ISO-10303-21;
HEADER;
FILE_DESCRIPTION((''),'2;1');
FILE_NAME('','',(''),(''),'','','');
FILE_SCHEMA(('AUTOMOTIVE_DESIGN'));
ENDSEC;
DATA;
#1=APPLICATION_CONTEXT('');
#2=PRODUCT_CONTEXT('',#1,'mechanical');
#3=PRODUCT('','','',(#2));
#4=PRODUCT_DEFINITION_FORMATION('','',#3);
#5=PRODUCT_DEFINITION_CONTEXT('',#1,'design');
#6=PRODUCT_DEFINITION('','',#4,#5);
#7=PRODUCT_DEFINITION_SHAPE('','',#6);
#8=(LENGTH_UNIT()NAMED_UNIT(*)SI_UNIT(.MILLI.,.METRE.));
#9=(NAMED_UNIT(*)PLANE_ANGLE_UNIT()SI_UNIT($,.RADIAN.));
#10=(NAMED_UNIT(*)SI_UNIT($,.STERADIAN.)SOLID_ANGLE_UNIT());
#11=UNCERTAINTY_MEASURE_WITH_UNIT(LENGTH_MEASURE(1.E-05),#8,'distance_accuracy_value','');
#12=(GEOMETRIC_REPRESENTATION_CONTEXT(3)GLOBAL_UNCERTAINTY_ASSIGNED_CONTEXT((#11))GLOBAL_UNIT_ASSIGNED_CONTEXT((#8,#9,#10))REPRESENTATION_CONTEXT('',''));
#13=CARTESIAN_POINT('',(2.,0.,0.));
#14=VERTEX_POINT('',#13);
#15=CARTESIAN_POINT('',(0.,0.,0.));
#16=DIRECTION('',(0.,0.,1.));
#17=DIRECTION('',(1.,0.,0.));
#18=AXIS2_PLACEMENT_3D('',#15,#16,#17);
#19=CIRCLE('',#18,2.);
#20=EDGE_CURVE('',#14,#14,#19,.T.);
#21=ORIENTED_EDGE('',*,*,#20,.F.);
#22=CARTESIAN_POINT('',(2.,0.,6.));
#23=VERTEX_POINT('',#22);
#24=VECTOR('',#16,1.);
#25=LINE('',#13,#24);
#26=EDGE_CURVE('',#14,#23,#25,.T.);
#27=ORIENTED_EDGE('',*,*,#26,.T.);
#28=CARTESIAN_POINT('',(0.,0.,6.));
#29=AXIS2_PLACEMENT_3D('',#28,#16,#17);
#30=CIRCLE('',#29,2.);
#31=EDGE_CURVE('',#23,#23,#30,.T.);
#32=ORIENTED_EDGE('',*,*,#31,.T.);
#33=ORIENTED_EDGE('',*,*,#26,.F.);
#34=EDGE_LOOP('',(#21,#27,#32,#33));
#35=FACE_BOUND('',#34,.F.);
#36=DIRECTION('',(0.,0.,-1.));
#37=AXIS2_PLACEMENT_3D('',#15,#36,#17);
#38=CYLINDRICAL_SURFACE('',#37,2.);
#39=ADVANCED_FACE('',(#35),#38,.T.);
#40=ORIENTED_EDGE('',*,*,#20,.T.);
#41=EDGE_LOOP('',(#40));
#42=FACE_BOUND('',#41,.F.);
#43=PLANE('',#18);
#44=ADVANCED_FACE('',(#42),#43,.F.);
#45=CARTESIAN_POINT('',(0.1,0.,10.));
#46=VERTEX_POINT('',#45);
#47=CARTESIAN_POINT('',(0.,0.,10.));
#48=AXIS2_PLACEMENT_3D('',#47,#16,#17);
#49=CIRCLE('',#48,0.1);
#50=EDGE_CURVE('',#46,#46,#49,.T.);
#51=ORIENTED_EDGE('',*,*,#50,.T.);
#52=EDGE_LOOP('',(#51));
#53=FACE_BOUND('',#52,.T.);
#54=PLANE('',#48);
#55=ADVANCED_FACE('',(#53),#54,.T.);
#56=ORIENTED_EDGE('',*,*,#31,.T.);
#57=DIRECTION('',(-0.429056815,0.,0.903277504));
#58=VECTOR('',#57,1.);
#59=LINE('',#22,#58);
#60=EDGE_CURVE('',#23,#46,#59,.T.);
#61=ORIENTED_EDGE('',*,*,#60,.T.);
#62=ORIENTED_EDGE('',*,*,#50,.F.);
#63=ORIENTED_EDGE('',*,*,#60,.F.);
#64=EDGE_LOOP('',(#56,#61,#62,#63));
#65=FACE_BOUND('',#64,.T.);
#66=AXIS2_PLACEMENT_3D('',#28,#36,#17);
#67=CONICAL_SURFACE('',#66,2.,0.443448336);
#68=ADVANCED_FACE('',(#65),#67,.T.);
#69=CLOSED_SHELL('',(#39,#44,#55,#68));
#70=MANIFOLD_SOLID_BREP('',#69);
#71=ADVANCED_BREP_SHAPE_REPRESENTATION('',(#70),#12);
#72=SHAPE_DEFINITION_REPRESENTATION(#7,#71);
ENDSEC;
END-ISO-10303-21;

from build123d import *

# Parameters (mm, degrees)
CYLINDER_R     = 2
CYLINDER_DEPTH = 10
CHAMFER_SIZE2  = 1.9
CHAMFER_SIZE   = 4


with BuildPart() as part:
    # Cylinder → Cylinder (new body)
    with BuildSketch(Plane.XY):
        Circle(CYLINDER_R)
    extrude(amount=CYLINDER_DEPTH)

    # Chamfer
    chamfer_edges = [part.edges().sort_by_distance(p)[0] for p in [
        (-2, 0, 10),
    ]]
    chamfer_side = part.faces().sort_by_distance((-2, 0, 5))[0]
    chamfer(chamfer_edges, length=CHAMFER_SIZE, length2=CHAMFER_SIZE2, reference=chamfer_side)


solid = part.part
